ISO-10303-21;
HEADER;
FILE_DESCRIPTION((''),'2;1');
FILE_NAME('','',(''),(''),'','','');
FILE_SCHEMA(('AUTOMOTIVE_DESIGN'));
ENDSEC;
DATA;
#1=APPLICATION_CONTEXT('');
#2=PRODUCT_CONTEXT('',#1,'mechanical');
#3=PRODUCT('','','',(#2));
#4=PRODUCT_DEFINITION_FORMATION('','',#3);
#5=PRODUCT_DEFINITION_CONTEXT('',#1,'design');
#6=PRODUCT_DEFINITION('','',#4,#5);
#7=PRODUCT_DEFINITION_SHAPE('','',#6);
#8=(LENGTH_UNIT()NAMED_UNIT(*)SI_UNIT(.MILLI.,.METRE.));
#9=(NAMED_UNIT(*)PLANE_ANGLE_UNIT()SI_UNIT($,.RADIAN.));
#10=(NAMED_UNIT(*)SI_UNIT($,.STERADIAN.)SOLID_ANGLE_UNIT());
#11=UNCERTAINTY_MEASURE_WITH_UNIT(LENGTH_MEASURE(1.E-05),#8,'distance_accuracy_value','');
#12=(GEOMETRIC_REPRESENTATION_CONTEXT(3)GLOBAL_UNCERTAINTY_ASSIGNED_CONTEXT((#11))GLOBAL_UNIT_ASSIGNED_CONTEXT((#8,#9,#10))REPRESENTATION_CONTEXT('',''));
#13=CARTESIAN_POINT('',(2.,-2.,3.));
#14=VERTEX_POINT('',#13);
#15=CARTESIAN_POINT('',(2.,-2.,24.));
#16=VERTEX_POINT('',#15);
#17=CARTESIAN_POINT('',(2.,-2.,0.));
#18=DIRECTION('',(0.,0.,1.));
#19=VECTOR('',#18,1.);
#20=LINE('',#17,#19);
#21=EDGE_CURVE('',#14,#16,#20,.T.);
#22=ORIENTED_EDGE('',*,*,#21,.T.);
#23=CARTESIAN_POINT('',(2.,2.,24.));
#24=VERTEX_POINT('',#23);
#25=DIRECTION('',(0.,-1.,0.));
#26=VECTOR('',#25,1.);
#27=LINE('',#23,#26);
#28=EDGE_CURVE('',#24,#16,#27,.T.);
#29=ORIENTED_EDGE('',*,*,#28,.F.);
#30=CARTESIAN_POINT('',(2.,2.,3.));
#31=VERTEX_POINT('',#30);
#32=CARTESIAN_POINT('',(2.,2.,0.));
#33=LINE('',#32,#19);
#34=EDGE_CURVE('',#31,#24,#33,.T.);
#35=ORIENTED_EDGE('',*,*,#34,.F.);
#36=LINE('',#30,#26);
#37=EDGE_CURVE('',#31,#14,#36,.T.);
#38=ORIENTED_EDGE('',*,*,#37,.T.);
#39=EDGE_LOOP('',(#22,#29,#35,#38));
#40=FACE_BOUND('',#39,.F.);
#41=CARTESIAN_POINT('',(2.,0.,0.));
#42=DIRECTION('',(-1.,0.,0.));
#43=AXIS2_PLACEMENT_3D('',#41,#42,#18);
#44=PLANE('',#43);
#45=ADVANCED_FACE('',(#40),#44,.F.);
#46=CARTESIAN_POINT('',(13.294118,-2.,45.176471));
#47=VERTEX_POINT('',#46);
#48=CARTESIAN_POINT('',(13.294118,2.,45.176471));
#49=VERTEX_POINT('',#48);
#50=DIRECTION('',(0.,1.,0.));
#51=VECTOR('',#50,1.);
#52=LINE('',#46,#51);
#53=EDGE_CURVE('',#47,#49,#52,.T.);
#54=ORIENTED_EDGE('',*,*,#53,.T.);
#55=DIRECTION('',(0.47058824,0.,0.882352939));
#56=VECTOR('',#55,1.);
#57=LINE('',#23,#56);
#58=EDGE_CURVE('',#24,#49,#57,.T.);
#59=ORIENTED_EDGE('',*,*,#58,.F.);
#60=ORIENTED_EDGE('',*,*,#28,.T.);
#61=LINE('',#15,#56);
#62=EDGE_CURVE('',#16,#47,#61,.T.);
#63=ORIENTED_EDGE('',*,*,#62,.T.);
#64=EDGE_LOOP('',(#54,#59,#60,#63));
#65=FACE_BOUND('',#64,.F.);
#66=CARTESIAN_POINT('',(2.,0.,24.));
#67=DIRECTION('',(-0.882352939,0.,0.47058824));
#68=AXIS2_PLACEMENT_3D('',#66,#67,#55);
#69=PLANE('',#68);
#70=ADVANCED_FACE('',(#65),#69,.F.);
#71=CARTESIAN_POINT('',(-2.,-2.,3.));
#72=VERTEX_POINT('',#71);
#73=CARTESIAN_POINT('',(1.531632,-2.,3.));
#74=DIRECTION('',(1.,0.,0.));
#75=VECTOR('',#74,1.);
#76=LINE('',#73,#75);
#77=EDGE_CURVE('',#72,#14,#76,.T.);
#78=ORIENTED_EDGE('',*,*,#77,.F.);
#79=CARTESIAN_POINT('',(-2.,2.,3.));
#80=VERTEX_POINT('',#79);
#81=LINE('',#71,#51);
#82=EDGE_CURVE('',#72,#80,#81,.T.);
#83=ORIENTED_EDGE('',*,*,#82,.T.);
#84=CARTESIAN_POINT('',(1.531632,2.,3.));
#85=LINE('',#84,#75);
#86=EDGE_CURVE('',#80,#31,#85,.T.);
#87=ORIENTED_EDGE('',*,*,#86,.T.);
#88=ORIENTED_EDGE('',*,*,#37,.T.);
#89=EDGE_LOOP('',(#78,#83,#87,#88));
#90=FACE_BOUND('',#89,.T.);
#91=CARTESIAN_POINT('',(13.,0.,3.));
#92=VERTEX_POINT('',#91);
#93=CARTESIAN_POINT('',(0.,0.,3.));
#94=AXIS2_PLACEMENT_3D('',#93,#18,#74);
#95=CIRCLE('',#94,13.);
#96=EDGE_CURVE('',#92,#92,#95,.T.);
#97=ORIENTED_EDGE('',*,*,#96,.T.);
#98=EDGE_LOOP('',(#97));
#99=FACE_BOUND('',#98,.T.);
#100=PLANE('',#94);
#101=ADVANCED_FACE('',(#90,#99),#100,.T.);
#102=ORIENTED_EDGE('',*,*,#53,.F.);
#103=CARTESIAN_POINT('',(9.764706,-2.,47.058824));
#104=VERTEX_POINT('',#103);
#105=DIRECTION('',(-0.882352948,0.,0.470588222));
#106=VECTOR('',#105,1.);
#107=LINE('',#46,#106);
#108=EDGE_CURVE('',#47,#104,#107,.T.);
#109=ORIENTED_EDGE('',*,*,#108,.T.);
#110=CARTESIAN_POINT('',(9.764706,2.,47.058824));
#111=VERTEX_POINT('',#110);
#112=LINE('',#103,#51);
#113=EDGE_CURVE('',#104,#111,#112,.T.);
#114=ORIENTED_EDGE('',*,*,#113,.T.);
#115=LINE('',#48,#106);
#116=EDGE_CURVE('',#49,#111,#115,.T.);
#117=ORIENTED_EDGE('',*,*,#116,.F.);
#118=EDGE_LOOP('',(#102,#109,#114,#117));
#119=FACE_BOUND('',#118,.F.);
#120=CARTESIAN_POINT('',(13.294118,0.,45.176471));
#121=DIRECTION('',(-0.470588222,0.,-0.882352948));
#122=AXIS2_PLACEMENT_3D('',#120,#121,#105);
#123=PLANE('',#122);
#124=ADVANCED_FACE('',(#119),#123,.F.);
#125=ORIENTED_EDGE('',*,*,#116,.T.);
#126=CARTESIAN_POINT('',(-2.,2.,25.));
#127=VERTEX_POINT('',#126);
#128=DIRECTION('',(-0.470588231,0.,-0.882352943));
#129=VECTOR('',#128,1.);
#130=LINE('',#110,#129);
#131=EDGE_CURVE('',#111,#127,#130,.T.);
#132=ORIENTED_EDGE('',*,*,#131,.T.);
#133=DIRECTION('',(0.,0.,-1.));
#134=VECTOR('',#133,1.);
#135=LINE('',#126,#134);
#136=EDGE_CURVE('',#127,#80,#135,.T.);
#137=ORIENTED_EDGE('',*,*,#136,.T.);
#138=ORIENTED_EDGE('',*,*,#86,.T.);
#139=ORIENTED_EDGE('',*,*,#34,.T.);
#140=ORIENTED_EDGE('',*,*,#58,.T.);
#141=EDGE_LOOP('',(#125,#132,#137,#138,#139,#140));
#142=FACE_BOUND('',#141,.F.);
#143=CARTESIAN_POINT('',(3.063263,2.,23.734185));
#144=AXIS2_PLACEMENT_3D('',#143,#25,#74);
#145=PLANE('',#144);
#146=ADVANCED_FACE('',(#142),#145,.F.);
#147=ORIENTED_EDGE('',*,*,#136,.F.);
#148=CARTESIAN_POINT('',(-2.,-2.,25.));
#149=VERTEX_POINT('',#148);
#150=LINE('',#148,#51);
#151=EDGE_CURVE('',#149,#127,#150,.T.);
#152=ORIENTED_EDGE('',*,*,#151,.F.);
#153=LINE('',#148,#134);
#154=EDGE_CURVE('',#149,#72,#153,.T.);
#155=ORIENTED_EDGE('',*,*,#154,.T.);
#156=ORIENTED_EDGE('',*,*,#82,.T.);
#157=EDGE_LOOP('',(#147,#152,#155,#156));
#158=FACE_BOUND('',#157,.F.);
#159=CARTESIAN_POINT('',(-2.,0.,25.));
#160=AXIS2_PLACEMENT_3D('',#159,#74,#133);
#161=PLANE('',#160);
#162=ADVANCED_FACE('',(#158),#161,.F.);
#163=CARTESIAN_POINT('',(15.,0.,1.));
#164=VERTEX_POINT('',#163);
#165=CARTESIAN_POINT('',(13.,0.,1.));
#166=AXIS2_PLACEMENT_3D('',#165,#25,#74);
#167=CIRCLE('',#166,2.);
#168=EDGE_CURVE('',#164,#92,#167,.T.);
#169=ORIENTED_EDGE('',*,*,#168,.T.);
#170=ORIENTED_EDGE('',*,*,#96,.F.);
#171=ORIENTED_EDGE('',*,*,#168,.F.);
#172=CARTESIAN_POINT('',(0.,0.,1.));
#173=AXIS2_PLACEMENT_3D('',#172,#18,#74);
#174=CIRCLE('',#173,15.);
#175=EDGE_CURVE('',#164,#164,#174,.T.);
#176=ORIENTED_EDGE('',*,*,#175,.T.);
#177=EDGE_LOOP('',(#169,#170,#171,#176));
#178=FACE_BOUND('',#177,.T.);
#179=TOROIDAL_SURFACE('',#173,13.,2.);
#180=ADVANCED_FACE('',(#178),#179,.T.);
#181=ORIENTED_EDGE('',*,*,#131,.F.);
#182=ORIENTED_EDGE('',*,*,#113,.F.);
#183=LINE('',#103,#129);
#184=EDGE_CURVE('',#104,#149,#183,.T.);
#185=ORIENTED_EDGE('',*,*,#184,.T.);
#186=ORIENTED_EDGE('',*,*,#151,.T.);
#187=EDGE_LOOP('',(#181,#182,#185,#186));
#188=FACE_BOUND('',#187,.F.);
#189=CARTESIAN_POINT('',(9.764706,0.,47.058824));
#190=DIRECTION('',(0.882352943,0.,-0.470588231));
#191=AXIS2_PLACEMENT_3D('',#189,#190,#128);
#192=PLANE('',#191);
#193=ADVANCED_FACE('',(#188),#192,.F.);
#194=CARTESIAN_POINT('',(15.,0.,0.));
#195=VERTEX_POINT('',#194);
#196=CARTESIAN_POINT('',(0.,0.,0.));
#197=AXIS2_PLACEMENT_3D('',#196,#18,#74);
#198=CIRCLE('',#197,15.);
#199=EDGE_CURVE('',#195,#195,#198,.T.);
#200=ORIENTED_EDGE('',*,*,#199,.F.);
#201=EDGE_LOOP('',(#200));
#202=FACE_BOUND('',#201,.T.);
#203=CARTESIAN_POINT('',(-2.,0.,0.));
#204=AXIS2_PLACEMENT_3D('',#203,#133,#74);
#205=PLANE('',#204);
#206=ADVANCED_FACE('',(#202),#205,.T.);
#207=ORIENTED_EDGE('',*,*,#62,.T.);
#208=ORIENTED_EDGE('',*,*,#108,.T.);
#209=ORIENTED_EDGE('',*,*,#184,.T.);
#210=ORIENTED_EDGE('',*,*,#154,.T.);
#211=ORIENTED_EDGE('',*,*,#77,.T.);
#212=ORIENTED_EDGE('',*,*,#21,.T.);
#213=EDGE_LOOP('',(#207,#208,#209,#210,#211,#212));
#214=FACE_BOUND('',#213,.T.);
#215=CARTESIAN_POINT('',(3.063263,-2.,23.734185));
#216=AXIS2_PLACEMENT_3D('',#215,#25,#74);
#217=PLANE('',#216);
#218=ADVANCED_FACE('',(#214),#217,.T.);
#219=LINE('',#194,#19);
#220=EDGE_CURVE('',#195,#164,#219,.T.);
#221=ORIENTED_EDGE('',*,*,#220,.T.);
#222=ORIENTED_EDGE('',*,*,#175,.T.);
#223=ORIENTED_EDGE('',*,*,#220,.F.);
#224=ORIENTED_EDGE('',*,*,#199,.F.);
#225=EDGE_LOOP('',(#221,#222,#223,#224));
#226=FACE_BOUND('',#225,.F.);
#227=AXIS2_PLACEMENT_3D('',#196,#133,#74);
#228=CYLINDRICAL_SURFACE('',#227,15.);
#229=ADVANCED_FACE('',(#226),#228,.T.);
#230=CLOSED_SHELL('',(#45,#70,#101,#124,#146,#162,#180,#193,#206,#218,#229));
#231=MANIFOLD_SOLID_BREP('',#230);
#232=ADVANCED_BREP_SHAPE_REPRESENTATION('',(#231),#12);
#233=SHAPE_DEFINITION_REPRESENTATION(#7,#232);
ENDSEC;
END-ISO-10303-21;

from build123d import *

# Parameters (mm, degrees)
SKETCH008_R       = 15
PAD004_DEPTH      = 3
PAD005_DEPTH      = 2
PAD005_DEPTH_BACK = 2
FILLET_R          = 2


with BuildPart() as part:
    # Sketch008 → Pad004 (new body)
    with BuildSketch(Plane.XY):
        Circle(SKETCH008_R)
    extrude(amount=PAD004_DEPTH)

    # Sketch009 → Pad005 (join, two sides)
    with BuildSketch(Plane.XZ) as pad005_sk:
        Polygon((-2, 0), (2, 0), (2, 24), (13.294118, 45.176471), (9.764706, 47.058824), (-2, 25), align=None)
    extrude(amount=PAD005_DEPTH)
    extrude(pad005_sk.sketch, amount=-PAD005_DEPTH_BACK)

    # Fillet
    fillet_edges = [part.edges().sort_by_distance(p)[0] for p in [
        (-15, 0, 3),
    ]]
    fillet(fillet_edges, radius=FILLET_R)


solid = part.part
